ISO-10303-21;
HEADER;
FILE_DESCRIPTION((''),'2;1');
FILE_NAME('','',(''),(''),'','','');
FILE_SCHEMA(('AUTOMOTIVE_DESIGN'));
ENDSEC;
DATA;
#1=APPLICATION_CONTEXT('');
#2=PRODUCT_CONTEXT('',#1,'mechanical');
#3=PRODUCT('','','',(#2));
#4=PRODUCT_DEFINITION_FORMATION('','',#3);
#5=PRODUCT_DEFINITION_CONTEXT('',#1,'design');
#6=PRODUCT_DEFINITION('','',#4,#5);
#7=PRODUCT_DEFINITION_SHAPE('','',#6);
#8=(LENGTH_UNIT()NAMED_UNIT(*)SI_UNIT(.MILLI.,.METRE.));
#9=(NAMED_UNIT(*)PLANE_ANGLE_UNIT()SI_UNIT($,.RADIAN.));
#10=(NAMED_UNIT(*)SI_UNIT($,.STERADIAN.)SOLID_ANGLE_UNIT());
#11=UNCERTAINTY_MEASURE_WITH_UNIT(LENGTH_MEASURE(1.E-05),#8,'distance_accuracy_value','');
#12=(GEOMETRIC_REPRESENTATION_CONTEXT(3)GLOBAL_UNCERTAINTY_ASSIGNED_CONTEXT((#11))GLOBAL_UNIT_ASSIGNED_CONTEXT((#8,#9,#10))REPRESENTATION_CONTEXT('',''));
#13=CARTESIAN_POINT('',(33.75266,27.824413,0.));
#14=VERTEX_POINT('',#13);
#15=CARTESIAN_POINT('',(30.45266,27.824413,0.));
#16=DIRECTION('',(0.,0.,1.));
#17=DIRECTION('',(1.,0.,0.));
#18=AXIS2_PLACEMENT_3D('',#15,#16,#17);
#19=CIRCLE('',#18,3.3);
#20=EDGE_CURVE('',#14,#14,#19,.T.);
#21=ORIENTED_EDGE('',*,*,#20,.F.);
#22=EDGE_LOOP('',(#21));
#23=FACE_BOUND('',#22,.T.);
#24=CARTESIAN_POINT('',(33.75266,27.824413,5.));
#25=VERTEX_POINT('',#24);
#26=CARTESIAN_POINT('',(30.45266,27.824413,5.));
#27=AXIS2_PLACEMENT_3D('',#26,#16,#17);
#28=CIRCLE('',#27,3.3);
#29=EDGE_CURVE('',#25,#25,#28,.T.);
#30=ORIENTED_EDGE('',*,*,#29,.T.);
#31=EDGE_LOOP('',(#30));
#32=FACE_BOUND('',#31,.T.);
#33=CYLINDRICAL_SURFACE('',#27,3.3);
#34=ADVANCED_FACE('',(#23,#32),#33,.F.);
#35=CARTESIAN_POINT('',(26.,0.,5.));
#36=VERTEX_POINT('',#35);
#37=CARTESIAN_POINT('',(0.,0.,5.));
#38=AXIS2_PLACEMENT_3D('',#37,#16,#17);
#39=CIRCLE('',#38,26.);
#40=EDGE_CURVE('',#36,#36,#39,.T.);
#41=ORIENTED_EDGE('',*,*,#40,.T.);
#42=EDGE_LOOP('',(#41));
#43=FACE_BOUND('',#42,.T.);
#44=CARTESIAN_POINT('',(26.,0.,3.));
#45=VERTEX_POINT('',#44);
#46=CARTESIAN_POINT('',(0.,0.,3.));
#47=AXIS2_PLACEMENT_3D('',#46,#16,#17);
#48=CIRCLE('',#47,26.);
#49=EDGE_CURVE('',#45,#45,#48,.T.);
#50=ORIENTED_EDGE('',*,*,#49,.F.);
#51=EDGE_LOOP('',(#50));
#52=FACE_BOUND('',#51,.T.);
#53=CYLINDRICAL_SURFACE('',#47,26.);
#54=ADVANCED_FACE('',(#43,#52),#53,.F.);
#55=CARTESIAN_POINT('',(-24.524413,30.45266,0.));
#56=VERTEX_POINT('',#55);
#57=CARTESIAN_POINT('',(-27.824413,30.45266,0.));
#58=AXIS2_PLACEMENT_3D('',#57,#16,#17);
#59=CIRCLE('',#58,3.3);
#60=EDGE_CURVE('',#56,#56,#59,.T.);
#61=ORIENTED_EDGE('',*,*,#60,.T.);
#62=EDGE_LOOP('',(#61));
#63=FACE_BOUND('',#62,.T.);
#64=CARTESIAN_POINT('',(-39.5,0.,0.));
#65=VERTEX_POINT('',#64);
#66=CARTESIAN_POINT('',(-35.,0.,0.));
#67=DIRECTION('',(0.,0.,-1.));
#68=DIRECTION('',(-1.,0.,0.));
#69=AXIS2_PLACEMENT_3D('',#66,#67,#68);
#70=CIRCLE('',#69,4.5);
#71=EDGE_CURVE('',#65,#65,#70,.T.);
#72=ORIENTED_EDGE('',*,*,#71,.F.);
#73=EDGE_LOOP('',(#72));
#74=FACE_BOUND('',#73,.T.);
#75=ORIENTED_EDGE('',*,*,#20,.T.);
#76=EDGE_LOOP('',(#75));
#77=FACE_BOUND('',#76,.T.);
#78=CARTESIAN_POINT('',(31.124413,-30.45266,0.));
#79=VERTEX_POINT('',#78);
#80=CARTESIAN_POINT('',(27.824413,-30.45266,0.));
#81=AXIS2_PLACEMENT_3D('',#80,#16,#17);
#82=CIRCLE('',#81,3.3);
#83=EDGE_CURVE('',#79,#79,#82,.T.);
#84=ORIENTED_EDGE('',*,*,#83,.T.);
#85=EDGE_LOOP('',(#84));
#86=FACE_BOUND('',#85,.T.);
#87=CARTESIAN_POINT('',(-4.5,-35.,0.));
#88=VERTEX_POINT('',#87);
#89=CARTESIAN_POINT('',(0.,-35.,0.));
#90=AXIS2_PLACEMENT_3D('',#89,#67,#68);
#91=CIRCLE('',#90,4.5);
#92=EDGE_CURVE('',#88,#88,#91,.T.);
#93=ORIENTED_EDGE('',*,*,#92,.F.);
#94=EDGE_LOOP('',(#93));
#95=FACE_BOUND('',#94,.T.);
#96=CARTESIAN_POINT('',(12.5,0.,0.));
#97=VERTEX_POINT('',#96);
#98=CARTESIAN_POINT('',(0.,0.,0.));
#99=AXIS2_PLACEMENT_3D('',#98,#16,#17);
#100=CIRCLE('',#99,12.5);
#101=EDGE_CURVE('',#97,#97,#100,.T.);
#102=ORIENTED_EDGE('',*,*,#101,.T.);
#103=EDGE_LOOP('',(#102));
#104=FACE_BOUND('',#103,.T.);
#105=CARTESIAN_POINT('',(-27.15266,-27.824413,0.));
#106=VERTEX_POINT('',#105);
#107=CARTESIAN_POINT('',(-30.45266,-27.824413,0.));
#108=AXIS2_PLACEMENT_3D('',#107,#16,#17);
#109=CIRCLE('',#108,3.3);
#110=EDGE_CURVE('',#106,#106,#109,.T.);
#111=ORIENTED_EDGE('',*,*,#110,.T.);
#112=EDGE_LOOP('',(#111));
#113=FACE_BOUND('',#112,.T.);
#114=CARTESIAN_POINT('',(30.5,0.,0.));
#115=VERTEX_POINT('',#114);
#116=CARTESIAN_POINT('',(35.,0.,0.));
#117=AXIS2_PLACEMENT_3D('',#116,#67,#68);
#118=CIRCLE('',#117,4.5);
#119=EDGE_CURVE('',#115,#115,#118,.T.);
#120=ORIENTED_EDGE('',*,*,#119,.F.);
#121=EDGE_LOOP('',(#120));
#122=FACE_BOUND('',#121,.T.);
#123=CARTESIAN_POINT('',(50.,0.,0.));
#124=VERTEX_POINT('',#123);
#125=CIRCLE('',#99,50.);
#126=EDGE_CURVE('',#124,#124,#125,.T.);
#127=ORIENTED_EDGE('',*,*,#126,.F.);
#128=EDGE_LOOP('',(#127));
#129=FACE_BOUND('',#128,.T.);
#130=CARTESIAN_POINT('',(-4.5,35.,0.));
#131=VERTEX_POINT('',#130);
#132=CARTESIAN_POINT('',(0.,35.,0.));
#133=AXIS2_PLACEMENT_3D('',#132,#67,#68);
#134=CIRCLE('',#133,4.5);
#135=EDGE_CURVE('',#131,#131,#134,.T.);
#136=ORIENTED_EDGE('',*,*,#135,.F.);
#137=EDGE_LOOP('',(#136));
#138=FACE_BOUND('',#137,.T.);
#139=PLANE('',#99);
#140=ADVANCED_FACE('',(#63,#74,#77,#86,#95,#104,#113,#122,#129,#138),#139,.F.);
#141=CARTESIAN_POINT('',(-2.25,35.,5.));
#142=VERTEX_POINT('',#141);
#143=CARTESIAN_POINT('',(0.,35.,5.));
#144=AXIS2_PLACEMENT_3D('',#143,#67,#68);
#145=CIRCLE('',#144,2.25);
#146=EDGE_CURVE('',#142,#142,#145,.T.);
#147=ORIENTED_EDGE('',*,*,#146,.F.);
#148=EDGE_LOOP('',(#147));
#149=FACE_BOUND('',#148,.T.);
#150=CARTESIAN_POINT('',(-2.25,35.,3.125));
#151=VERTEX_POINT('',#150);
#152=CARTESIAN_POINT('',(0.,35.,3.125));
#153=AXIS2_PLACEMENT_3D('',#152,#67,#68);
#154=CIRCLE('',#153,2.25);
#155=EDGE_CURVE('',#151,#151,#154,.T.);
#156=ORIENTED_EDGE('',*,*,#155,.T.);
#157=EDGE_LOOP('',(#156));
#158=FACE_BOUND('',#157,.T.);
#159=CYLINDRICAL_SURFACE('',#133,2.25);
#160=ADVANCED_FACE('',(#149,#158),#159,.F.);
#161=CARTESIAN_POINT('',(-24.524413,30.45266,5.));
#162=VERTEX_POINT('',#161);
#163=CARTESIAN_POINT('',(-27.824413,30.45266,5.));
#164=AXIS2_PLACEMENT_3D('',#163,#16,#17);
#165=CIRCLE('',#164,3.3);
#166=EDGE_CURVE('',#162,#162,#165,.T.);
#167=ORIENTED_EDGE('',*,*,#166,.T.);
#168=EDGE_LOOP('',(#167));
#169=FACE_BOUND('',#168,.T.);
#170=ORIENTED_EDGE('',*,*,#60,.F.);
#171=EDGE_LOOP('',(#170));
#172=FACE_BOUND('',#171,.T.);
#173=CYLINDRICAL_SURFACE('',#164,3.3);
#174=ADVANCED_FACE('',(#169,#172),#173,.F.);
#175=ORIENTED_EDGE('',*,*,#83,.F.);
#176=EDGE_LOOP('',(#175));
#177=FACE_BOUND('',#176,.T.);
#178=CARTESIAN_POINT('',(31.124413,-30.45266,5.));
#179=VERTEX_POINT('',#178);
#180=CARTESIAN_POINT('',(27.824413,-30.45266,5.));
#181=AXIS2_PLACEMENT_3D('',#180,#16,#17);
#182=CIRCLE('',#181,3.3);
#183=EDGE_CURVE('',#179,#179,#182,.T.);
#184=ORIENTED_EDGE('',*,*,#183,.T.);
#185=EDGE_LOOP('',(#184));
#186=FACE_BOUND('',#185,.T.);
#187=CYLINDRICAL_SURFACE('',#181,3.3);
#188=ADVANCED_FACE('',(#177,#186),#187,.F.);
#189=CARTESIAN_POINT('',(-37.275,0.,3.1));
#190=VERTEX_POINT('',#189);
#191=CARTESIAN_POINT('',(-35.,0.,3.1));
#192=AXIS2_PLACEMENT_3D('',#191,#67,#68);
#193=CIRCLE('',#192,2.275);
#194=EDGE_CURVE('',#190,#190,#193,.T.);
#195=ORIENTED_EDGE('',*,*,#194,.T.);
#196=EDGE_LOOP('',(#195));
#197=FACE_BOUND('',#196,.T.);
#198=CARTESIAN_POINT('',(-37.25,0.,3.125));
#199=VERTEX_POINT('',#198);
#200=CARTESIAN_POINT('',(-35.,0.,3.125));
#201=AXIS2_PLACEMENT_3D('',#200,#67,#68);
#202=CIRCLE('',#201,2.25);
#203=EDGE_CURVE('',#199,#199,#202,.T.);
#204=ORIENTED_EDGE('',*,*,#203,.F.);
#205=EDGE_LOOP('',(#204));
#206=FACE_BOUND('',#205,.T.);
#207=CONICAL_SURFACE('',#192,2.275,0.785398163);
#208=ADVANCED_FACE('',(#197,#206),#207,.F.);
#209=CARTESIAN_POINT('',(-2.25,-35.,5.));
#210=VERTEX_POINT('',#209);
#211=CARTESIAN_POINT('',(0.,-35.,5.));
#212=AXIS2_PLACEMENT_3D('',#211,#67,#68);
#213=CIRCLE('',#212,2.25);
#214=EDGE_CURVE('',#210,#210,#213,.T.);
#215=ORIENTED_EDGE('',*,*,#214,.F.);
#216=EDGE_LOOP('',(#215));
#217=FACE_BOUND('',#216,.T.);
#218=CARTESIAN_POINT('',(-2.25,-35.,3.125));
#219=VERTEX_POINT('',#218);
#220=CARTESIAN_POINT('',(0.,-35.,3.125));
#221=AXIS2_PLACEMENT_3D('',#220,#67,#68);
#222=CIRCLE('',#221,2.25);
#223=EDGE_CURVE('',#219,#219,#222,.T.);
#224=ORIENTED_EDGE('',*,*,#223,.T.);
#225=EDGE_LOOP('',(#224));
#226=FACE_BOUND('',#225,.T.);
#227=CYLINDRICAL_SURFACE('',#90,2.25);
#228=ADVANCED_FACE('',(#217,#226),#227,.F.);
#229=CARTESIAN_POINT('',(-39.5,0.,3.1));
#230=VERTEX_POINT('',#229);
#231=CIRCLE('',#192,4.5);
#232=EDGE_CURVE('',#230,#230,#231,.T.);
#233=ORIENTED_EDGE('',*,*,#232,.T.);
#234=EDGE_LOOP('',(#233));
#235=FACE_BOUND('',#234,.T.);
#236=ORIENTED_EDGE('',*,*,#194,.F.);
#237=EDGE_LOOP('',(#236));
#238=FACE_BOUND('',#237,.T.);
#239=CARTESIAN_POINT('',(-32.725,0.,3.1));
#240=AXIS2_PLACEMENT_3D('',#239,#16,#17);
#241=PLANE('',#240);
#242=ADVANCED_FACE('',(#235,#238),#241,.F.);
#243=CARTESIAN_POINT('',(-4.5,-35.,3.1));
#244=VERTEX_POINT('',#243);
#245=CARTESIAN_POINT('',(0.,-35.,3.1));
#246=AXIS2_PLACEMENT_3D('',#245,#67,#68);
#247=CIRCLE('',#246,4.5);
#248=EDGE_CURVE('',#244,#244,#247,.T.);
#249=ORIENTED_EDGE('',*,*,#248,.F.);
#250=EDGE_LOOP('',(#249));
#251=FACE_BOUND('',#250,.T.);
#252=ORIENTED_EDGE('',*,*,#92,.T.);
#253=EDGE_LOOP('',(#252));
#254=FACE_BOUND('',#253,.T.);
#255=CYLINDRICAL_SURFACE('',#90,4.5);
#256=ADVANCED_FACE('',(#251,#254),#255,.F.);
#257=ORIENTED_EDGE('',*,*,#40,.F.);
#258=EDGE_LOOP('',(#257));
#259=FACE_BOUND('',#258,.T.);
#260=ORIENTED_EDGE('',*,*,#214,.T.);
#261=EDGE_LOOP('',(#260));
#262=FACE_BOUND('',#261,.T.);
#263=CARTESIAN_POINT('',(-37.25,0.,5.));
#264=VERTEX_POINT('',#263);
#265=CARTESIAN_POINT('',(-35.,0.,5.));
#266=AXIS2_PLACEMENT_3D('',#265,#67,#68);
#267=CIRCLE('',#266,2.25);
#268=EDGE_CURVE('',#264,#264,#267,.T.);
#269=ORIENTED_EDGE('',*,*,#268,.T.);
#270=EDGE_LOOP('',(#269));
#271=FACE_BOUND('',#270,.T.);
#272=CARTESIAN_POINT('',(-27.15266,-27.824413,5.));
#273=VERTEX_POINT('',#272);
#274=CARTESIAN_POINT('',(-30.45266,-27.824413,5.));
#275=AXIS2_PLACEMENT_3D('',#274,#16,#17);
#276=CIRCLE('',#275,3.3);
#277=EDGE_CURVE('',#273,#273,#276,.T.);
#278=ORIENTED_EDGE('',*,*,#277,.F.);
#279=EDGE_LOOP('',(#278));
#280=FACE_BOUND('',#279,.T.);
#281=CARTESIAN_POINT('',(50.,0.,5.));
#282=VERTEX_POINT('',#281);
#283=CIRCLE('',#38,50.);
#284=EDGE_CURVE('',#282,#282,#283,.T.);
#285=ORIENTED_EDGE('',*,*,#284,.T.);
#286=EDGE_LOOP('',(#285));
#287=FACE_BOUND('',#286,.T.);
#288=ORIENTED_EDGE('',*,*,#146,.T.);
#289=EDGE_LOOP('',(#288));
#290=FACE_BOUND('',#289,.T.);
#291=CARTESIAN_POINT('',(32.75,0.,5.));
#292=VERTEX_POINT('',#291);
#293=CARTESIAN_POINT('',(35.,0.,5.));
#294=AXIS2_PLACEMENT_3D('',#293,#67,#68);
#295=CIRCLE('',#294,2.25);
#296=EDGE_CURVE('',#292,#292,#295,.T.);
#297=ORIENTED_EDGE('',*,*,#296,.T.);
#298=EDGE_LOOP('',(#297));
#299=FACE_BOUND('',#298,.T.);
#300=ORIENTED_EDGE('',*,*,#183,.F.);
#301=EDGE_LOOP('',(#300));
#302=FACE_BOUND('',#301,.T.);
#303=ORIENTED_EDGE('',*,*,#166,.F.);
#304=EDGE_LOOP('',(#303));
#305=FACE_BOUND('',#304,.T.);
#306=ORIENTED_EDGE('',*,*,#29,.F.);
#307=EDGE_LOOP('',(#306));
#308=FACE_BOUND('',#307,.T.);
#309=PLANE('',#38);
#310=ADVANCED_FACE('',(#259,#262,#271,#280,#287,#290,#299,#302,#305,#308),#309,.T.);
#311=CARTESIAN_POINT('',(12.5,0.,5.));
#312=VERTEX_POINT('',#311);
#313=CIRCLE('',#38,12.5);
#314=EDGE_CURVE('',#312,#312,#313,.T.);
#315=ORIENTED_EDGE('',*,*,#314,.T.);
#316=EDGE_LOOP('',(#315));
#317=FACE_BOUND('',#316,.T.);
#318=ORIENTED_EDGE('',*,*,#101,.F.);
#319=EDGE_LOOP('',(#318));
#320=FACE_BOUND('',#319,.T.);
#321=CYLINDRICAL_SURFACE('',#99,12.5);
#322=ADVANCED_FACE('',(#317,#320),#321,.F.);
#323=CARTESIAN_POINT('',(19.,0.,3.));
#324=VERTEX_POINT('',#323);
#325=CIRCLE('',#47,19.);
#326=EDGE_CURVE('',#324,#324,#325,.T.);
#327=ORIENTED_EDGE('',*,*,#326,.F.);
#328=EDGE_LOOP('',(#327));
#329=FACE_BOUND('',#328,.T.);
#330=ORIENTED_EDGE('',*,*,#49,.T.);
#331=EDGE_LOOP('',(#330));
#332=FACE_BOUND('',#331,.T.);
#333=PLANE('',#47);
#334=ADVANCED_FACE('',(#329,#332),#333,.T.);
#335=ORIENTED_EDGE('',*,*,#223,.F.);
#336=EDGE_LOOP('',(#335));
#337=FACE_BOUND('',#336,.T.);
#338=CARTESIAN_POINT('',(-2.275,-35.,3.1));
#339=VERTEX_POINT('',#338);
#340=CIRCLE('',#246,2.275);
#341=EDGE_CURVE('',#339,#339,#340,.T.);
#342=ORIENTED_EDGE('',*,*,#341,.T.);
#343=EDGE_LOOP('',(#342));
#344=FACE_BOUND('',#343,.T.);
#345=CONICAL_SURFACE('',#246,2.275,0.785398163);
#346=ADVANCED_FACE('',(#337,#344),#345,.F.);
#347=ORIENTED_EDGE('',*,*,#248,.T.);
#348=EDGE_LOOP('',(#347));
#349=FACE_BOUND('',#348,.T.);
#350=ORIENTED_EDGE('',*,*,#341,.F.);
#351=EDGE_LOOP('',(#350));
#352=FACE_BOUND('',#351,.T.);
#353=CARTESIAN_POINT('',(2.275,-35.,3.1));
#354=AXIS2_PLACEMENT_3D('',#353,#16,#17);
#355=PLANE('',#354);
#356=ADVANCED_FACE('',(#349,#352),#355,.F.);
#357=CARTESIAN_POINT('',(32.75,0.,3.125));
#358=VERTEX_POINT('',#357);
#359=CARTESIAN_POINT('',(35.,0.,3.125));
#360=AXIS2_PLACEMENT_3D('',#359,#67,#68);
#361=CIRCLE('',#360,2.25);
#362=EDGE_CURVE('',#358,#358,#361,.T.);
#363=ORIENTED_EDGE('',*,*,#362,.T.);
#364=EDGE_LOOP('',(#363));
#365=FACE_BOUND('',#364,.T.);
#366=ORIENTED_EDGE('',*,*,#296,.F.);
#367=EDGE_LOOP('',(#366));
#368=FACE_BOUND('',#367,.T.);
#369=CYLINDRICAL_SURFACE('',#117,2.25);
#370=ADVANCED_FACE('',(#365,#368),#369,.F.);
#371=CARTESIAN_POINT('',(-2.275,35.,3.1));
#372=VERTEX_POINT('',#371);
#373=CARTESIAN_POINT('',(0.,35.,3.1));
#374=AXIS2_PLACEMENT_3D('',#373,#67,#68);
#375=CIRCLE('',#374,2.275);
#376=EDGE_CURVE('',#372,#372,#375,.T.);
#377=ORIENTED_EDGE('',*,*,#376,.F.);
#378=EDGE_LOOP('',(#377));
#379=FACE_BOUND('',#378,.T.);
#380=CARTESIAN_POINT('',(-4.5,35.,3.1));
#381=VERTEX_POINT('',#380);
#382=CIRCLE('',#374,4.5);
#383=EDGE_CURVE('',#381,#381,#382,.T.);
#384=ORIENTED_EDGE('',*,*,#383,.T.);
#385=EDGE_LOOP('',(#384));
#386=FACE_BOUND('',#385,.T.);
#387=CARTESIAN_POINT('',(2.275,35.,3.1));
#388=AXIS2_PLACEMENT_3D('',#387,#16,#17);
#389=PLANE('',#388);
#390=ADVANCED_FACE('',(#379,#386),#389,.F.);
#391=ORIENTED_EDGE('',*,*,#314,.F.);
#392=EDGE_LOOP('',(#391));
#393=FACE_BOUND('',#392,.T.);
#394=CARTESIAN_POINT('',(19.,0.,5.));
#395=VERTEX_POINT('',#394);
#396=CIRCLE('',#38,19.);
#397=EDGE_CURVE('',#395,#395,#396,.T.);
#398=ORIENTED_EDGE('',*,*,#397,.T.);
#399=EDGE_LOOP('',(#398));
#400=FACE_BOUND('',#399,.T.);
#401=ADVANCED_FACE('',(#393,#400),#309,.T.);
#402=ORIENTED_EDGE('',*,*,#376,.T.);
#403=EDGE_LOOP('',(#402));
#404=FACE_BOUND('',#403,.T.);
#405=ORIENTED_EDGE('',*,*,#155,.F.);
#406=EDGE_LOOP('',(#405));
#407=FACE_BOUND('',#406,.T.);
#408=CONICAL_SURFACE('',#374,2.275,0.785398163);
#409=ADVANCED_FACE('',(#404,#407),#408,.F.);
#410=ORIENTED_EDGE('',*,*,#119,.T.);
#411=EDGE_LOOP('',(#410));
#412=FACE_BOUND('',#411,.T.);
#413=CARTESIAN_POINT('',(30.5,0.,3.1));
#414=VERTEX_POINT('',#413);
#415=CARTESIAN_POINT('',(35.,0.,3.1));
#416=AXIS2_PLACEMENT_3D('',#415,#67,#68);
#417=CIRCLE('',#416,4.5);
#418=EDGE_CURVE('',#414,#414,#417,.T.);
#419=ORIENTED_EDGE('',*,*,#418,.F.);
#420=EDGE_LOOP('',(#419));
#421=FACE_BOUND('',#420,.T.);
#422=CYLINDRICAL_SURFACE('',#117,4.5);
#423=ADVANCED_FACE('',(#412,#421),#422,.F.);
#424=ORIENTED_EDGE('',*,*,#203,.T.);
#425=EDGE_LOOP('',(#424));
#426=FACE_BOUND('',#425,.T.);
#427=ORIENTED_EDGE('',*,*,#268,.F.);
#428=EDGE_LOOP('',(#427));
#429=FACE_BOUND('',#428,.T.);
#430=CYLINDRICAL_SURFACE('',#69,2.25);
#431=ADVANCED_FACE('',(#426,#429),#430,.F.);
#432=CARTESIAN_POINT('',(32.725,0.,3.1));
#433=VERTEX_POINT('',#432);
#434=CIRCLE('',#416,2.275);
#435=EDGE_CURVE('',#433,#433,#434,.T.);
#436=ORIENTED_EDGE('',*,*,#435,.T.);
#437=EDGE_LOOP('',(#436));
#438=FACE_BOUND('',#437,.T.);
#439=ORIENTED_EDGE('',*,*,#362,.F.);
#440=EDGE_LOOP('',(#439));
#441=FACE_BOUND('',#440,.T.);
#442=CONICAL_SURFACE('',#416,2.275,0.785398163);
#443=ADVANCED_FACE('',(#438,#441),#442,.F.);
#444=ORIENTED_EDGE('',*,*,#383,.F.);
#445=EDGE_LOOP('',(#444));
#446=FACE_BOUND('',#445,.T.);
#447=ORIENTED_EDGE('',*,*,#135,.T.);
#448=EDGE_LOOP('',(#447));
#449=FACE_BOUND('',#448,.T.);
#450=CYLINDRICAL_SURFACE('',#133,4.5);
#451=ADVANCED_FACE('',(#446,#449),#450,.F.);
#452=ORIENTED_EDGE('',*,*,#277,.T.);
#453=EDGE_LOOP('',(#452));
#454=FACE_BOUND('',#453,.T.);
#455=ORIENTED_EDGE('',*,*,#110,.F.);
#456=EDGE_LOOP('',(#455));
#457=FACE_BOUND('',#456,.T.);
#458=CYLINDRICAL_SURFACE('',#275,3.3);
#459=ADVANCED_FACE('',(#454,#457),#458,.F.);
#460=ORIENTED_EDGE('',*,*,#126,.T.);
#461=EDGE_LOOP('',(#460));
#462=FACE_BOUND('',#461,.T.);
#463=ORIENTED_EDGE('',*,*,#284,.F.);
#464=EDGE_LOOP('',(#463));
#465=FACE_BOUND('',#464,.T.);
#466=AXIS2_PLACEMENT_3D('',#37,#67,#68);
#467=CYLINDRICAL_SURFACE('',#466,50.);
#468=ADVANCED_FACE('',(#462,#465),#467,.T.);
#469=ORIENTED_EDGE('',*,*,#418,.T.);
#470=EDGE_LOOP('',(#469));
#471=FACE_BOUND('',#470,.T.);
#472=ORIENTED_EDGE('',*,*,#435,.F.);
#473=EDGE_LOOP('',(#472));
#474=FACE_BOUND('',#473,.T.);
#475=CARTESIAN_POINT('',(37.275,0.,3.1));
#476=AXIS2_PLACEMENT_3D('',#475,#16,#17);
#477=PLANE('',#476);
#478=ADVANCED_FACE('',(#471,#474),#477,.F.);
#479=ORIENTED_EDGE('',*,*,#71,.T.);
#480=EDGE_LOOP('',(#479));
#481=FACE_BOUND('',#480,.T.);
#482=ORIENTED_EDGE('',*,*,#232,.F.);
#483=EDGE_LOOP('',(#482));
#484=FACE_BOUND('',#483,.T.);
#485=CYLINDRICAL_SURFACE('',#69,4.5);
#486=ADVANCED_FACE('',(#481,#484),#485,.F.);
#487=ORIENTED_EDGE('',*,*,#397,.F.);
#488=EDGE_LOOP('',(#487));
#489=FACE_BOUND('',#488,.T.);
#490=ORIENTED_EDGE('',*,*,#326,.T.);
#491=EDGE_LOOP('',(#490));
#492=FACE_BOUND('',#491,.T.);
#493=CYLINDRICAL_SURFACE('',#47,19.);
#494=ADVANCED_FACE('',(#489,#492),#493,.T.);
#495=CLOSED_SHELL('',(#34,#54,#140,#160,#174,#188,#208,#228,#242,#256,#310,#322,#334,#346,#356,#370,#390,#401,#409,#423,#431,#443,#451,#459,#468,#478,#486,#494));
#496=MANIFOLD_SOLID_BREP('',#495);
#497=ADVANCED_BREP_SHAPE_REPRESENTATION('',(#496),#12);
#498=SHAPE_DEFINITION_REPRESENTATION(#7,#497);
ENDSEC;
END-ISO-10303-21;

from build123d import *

# Parameters (mm, degrees)
ESQUISSE1_R                                = 50
BOSS_EXTRU_1_DEPTH                         = 5
ESQUISSE2_R                                = 26
ESQUISSE2_R_2                              = 19
ENL_V_MAT_EXTRU_1_DEPTH                    = 2
ESQUISSE3_R                                = 12.5
ENL_V_MAT_EXTRU_2_DEPTH                    = 71.887234394
CHAMBRAGE_POUR_VIS_T_TE_RONDE_BOMB_2_COUNT = 2
CHAMBRAGE_POUR_VIS_T_TE_RONDE_BOMB_2_PITCH = 49.497474683
CHAMBRAGE_POUR_VIS_T_TE_RONDE_BOMB_3_COUNT = 2
CHAMBRAGE_POUR_VIS_T_TE_RONDE_BOMB_3_PITCH = 70
CHAMBRAGE_POUR_VIS_T_TE_RONDE_BOMB_4_COUNT = 2
CHAMBRAGE_POUR_VIS_T_TE_RONDE_BOMB_4_PITCH = 49.497474683
D_GAGEMENT_M62_D                           = 6.6


with BuildPart() as part:
    # Esquisse1 → Boss.-Extru.1 (new body)
    with BuildSketch(Plane.XY):
        Circle(ESQUISSE1_R)
    extrude(amount=BOSS_EXTRU_1_DEPTH)

    # Esquisse2 → Enlèv. mat.-Extru.1 (cut)
    with BuildSketch(Plane.XY.offset(5)):
        Circle(ESQUISSE2_R)
        Circle(ESQUISSE2_R_2, mode=Mode.SUBTRACT)
    extrude(amount=-ENL_V_MAT_EXTRU_1_DEPTH, mode=Mode.SUBTRACT)

    # Esquisse3 → Enlèv. mat.-Extru.2 (cut, through all)
    with BuildSketch(Plane.XY.offset(5)):
        Circle(ESQUISSE3_R)
    extrude(amount=-ENL_V_MAT_EXTRU_2_DEPTH, mode=Mode.SUBTRACT)

    # Esquisse5 → Chambrage pour vis à tête ronde bombée M41 (revolve, cut)
    with BuildSketch(Plane(origin=(0, 35, 0), x_dir=(0, 1, 0), z_dir=(1, 0, 0))):
        Polygon((0, 0), (0, 5), (2.25, 5), (2.25, 3.125), (2.275, 3.1), (4.5, 3.1), (4.5, 0), align=None)
    chambrage_pour_vis_t_te_ronde_bomb_e_m = revolve(axis=Axis((0, 35, -6.35), (0, 0, 1)), mode=Mode.SUBTRACT)

    # Chambrage pour vis _ t_te ronde bomb 2: Chambrage pour vis à tête ronde bombée M41 ×2
    with Locations(*[Vector(-0.7071067811865476, -0.7071067811865476, 0) * (i * CHAMBRAGE_POUR_VIS_T_TE_RONDE_BOMB_2_PITCH) for i in range(1, CHAMBRAGE_POUR_VIS_T_TE_RONDE_BOMB_2_COUNT)]):
        add(chambrage_pour_vis_t_te_ronde_bomb_e_m, mode=Mode.SUBTRACT)

    # Chambrage pour vis _ t_te ronde bomb 3: Chambrage pour vis à tête ronde bombée M41 ×2
    with Locations(*[(0, -i * CHAMBRAGE_POUR_VIS_T_TE_RONDE_BOMB_3_PITCH, 0) for i in range(1, CHAMBRAGE_POUR_VIS_T_TE_RONDE_BOMB_3_COUNT)]):
        add(chambrage_pour_vis_t_te_ronde_bomb_e_m, mode=Mode.SUBTRACT)

    # Chambrage pour vis _ t_te ronde bomb 4: Chambrage pour vis à tête ronde bombée M41 ×2
    with Locations(*[Vector(0.7071067811865476, -0.7071067811865476, 0) * (i * CHAMBRAGE_POUR_VIS_T_TE_RONDE_BOMB_4_PITCH) for i in range(1, CHAMBRAGE_POUR_VIS_T_TE_RONDE_BOMB_4_COUNT)]):
        add(chambrage_pour_vis_t_te_ronde_bomb_e_m, mode=Mode.SUBTRACT)

    # Dégagement M62 (through all)
    with Locations(Plane.XY.offset(5)):
        with Locations((30.452660491, 27.824413184), (-27.824413184, 30.452660491), (-30.452660491, -27.824413184), (27.824413184, -30.452660491)):
            Hole(D_GAGEMENT_M62_D / 2)


solid = part.part
